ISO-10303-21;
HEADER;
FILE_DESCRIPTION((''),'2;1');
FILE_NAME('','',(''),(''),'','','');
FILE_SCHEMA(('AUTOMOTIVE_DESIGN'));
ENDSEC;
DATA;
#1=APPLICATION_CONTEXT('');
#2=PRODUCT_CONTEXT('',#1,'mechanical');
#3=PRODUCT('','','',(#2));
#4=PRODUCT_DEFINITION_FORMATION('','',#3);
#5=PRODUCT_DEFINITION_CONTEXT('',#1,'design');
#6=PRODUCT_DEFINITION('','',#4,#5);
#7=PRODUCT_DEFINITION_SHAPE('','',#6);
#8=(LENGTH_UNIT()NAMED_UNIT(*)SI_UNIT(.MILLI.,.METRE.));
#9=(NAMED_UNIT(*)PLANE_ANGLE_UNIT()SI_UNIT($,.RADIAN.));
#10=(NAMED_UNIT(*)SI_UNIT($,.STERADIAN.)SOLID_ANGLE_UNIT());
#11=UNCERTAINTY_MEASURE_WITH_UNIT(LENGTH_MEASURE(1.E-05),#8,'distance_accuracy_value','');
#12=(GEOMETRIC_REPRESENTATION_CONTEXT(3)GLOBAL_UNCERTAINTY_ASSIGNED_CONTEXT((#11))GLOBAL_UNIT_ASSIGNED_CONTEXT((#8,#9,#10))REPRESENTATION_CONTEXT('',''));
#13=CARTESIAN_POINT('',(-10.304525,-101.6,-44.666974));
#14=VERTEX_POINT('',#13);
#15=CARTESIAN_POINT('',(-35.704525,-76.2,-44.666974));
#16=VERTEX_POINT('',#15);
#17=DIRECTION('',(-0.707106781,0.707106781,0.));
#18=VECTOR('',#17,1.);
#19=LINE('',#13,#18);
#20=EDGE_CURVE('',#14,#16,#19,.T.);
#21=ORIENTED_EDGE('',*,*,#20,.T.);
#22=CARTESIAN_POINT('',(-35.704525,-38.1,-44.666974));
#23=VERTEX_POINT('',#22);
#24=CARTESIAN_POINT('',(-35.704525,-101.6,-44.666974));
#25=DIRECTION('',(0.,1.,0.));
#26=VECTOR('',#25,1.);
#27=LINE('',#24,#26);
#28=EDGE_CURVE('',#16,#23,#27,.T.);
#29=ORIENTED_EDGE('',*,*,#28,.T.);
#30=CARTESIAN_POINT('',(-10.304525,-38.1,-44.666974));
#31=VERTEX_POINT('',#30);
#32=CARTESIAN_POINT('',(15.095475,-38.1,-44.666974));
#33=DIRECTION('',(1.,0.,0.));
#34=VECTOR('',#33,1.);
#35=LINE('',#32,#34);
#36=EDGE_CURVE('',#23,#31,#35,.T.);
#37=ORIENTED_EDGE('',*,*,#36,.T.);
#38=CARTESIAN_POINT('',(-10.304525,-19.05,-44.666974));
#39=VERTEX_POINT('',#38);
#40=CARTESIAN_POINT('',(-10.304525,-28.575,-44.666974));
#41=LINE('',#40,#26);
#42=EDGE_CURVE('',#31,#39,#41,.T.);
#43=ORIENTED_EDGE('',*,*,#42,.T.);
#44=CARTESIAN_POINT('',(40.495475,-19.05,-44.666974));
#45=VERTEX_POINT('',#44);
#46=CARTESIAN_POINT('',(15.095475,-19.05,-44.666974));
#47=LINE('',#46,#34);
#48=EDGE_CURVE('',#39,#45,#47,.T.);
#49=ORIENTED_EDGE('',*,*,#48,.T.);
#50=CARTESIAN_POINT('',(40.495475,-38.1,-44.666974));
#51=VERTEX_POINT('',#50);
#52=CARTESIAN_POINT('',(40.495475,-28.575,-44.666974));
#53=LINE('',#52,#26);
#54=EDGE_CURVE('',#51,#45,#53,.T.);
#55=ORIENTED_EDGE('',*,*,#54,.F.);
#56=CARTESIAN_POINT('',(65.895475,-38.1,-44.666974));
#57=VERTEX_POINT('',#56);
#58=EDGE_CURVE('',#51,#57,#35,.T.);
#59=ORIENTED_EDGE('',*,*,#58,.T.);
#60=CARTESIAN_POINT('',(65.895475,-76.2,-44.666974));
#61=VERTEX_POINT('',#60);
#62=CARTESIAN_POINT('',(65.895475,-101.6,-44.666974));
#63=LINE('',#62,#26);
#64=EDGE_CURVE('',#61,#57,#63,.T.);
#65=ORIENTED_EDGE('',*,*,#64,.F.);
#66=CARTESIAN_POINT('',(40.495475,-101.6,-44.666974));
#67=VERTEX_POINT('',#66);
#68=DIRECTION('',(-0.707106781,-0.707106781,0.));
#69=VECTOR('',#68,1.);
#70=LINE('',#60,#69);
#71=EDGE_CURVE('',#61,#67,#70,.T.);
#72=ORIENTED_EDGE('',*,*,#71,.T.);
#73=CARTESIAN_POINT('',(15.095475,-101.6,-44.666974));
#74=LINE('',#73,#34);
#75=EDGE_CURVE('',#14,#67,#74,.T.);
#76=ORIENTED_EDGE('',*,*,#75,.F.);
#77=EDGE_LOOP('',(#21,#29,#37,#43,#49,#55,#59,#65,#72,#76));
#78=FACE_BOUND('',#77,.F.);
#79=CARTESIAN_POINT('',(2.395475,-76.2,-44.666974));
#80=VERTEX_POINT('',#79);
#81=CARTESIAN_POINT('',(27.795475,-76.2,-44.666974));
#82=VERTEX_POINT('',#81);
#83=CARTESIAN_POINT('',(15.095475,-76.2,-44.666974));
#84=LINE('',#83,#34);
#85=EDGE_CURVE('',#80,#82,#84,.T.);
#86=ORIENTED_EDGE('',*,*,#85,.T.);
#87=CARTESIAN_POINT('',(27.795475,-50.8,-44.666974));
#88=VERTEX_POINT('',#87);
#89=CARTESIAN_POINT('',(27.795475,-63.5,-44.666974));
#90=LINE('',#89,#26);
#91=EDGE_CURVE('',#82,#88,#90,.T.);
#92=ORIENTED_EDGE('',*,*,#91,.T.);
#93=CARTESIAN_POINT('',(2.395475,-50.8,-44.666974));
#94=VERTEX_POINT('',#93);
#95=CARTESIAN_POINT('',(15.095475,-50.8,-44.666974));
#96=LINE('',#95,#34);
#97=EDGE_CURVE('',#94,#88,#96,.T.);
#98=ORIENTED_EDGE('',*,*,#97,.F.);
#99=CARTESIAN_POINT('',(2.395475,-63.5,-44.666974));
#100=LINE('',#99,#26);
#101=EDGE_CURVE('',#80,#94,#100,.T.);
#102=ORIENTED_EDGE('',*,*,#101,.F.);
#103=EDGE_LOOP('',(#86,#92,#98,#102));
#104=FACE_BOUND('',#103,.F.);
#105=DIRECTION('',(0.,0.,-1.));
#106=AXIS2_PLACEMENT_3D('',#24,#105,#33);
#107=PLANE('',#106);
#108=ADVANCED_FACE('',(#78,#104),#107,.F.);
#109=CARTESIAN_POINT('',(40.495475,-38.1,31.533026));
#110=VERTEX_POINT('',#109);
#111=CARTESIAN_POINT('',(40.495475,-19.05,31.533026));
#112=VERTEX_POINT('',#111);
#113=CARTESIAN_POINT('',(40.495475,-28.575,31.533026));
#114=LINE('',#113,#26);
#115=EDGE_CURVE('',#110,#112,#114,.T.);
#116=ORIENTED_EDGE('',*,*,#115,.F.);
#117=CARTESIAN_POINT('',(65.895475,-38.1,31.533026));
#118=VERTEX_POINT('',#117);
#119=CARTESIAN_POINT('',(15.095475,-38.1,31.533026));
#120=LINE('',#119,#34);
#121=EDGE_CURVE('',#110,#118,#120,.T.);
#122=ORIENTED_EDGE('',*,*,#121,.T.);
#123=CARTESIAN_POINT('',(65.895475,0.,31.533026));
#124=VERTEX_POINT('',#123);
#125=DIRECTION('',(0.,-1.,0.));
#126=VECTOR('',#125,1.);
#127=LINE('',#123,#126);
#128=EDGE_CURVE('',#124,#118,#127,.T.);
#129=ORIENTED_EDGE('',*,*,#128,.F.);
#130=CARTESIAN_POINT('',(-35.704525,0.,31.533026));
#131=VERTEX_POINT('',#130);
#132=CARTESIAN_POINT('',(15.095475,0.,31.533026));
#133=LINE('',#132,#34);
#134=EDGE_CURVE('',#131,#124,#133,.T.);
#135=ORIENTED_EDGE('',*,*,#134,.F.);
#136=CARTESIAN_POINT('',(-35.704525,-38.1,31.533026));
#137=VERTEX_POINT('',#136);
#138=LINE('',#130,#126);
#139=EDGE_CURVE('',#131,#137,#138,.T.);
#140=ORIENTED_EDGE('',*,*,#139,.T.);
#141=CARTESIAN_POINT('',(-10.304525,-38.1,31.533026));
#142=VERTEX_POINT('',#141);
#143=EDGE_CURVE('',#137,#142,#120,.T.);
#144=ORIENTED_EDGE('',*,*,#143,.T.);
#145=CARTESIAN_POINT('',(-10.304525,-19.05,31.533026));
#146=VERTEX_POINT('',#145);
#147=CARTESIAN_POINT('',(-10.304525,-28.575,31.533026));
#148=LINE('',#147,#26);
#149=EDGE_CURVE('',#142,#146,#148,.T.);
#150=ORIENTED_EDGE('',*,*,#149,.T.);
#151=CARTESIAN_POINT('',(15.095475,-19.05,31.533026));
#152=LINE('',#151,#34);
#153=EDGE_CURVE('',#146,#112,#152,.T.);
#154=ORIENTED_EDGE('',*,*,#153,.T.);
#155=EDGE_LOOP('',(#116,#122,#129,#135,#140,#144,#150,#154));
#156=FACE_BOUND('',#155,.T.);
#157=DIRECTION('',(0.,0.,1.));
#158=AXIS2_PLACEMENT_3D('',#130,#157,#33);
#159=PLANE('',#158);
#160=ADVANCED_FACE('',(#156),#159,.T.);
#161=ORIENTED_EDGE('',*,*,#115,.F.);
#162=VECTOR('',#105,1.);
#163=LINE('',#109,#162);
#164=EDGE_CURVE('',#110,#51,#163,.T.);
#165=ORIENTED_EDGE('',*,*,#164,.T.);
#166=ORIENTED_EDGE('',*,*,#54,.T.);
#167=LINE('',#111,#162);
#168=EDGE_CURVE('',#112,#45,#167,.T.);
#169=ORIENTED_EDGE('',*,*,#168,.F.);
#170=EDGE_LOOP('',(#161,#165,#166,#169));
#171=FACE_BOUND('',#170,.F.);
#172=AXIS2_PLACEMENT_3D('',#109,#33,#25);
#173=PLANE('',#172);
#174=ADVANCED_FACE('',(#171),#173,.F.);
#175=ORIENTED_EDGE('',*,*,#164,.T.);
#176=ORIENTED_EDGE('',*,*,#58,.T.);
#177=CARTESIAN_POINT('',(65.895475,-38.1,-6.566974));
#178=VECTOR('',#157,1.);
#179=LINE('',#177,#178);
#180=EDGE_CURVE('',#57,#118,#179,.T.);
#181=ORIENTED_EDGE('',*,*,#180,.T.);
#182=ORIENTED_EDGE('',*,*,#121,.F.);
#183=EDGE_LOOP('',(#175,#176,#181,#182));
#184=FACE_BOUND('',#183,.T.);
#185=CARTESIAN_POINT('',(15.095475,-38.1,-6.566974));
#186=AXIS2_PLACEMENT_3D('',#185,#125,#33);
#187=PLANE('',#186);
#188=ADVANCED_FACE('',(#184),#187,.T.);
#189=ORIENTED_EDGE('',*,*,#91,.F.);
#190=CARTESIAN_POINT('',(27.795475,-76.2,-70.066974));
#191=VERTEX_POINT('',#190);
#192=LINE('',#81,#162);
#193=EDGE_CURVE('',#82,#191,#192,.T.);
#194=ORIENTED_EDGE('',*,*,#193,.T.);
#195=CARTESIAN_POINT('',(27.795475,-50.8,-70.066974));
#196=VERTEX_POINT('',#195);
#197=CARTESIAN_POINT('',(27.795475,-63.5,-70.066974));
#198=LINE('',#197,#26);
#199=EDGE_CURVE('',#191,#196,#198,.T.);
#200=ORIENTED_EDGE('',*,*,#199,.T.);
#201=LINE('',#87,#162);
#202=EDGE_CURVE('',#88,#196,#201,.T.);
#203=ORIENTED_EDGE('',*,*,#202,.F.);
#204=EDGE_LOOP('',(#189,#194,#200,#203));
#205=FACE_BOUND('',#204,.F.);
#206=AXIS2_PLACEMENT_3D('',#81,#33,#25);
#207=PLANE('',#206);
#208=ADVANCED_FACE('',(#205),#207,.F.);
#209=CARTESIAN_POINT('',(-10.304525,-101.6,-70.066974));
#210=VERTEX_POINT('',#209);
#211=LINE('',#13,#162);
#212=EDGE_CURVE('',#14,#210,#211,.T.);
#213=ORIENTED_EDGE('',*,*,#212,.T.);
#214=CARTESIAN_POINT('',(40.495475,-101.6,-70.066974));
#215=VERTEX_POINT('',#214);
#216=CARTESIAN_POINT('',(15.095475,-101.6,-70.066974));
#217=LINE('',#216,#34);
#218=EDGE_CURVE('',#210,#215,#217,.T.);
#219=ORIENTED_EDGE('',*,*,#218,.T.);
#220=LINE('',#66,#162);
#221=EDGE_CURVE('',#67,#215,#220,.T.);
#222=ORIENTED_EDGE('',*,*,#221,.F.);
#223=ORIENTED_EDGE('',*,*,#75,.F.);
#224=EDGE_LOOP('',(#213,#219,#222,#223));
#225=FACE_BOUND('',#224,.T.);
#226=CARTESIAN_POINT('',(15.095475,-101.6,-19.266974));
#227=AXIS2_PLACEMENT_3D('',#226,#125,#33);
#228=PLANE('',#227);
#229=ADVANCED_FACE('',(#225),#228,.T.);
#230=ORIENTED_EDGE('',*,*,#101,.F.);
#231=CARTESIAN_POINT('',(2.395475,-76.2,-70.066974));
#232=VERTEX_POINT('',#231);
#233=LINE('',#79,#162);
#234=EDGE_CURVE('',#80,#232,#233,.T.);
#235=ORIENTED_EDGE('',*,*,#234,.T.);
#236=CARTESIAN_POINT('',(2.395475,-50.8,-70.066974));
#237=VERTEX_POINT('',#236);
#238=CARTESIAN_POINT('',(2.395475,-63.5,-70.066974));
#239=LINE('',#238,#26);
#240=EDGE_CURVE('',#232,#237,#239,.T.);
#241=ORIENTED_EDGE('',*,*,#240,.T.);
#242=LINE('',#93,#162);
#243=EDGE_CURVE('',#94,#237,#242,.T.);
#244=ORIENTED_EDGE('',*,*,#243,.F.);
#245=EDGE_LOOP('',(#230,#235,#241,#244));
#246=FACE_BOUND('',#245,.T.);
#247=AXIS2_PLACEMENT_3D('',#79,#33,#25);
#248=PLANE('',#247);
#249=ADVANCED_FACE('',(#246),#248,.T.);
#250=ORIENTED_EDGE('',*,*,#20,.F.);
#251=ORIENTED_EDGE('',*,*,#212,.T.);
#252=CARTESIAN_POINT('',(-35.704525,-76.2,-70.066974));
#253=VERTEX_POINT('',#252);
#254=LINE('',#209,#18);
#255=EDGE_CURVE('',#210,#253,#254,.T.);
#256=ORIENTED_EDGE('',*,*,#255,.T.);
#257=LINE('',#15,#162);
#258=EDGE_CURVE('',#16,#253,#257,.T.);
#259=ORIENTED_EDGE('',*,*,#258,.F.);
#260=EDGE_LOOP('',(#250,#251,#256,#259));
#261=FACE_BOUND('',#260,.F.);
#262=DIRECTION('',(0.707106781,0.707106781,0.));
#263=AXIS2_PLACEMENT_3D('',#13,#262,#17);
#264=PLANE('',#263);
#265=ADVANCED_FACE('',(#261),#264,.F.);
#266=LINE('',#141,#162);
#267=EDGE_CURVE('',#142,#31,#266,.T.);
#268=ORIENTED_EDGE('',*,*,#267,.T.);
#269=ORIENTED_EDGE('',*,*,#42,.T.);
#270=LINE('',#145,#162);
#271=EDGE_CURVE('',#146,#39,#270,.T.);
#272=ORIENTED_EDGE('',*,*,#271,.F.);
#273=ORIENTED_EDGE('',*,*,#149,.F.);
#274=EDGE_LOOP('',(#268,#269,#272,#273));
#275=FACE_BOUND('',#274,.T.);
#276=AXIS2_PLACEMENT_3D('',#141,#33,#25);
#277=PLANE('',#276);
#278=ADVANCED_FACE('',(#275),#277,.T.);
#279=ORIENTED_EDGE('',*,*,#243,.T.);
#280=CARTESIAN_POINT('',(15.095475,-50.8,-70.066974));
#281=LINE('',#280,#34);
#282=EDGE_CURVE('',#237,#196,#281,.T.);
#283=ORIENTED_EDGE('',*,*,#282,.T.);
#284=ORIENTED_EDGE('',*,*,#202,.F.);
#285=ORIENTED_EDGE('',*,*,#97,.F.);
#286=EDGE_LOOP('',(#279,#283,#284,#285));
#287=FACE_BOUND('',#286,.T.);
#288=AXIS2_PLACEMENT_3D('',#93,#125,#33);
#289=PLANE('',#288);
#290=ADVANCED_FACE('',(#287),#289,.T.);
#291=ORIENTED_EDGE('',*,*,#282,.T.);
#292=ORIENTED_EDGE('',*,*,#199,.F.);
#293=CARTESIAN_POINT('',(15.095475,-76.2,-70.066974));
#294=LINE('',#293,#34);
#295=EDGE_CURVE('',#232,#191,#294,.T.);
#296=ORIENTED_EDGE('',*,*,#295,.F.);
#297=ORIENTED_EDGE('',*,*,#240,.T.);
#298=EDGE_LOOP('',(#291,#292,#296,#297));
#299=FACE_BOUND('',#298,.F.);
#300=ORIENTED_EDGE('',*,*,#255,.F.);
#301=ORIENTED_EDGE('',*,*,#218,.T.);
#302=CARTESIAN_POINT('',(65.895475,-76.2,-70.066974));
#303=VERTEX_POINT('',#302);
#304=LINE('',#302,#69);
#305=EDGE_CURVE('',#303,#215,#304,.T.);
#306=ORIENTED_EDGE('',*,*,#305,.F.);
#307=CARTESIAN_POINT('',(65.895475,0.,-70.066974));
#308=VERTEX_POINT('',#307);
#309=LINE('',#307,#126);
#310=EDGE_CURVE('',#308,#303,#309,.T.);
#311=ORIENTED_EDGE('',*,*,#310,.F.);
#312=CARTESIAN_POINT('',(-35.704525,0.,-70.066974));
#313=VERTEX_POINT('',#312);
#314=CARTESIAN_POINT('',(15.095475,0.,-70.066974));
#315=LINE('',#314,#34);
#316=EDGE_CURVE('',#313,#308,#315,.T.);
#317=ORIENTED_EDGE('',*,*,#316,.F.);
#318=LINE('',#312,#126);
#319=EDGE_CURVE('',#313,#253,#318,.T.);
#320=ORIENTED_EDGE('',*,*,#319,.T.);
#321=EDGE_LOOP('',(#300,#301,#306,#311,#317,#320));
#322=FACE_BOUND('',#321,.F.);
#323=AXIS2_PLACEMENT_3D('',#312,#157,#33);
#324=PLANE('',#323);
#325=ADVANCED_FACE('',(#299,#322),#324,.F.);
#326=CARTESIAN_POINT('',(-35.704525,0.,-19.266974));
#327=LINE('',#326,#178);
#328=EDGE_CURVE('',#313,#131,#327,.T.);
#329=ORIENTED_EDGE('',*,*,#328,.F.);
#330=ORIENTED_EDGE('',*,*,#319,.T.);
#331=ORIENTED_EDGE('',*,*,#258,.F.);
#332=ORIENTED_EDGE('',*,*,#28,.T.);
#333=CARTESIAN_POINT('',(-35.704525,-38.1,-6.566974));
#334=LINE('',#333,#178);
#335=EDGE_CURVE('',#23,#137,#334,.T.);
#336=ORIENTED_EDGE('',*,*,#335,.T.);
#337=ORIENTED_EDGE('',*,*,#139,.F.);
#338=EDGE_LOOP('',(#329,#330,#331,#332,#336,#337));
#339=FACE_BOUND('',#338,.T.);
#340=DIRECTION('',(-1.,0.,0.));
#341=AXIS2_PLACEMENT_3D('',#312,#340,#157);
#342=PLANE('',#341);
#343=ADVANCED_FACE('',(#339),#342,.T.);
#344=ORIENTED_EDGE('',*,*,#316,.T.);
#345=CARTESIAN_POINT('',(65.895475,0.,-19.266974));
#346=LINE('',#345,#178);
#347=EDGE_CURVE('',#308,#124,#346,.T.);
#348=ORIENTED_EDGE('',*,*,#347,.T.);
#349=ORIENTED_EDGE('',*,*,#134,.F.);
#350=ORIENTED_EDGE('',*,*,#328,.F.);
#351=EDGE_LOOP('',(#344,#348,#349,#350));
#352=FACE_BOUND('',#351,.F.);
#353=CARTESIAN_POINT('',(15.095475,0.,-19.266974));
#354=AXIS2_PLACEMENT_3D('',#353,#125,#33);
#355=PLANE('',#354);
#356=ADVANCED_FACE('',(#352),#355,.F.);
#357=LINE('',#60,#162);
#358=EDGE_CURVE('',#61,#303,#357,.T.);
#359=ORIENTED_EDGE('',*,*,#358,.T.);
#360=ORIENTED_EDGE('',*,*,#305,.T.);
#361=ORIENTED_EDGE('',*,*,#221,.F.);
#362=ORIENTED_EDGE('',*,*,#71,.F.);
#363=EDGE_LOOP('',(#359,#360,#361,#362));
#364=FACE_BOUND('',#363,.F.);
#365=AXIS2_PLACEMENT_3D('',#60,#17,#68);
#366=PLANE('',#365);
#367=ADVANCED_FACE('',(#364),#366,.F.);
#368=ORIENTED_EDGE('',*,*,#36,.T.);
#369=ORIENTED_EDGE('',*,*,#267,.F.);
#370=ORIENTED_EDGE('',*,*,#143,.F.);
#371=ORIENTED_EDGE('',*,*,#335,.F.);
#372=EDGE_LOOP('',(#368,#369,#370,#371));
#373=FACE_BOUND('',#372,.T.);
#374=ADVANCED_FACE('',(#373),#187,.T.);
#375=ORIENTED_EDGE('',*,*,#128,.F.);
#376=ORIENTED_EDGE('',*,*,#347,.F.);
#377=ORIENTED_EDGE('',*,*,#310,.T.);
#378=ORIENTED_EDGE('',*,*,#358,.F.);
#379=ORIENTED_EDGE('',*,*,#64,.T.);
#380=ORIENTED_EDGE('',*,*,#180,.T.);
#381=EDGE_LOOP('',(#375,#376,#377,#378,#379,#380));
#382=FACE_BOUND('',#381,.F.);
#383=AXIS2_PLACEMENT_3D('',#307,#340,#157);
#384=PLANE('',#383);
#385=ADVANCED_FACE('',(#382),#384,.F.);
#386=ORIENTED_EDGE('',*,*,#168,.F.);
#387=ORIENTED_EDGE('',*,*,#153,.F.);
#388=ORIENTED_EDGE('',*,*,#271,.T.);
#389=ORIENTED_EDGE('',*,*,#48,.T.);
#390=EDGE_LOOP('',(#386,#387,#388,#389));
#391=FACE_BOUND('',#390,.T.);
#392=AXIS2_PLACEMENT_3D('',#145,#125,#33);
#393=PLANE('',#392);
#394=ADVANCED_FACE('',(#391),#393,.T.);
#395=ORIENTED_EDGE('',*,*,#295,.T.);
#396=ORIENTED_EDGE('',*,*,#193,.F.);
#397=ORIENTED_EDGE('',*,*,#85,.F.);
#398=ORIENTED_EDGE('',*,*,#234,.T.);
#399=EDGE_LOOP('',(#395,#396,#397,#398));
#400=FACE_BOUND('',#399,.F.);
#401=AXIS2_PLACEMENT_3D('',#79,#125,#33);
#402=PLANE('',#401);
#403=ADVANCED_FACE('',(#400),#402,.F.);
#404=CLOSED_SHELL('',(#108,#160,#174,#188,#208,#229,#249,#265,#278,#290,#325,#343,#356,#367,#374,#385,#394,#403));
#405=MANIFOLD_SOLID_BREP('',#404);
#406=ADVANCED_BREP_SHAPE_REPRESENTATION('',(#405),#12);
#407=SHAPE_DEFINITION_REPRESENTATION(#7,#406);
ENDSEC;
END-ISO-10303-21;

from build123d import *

# Parameters (mm, degrees)
F0_W     = 101.6
F0_H     = 101.6
F1_DEPTH = 101.6
F2_W     = 101.6
F2_H     = 76.2
F3_DEPTH = 63.5
F4_W     = 50.8
F4_H     = 19.05
F5_DEPTH = 76.2
F7_DEPTH = 25.4
F8_W     = 25.4
F8_H     = 25.4
F9_DEPTH = 25.4


with BuildPart() as f1:
    # F0 (on Front) → F1 (new body)
    with BuildSketch(Plane.XZ):
        with Locations((15.095475, -19.266974)):
            Rectangle(F0_W, F0_H)
    extrude(amount=F1_DEPTH)

    # F2 (on face) → F3 (cut)
    with BuildSketch(Plane.XZ.offset(101.6)):
        with Locations((15.095475, -6.566974)):
            Rectangle(F2_W, F2_H)
    extrude(amount=-F3_DEPTH, mode=Mode.SUBTRACT)

    # F4 (on face) → F5 (cut)
    with BuildSketch(Plane.XY.offset(31.533026)):
        with Locations((15.095475, -28.575)):
            Rectangle(F4_W, F4_H)
    extrude(amount=-F5_DEPTH, mode=Mode.SUBTRACT)

    # F6 (on face) → F7 (cut)
    with BuildSketch(Plane.XY.offset(-44.666974)):
        Polygon((-35.704525, -76.2), (-35.704525, -101.6), (-10.304525, -101.6), align=None)
        Polygon((65.895475, -76.2), (40.495475, -101.6), (65.895475, -101.6), align=None)
    extrude(amount=-F7_DEPTH, mode=Mode.SUBTRACT)

    # F8 (on face) → F9 (cut)
    with BuildSketch(Plane.XY.offset(-44.666974)):
        with Locations((15.095475, -63.5)):
            Rectangle(F8_W, F8_H)
    extrude(amount=-F9_DEPTH, mode=Mode.SUBTRACT)


solid = f1.part
